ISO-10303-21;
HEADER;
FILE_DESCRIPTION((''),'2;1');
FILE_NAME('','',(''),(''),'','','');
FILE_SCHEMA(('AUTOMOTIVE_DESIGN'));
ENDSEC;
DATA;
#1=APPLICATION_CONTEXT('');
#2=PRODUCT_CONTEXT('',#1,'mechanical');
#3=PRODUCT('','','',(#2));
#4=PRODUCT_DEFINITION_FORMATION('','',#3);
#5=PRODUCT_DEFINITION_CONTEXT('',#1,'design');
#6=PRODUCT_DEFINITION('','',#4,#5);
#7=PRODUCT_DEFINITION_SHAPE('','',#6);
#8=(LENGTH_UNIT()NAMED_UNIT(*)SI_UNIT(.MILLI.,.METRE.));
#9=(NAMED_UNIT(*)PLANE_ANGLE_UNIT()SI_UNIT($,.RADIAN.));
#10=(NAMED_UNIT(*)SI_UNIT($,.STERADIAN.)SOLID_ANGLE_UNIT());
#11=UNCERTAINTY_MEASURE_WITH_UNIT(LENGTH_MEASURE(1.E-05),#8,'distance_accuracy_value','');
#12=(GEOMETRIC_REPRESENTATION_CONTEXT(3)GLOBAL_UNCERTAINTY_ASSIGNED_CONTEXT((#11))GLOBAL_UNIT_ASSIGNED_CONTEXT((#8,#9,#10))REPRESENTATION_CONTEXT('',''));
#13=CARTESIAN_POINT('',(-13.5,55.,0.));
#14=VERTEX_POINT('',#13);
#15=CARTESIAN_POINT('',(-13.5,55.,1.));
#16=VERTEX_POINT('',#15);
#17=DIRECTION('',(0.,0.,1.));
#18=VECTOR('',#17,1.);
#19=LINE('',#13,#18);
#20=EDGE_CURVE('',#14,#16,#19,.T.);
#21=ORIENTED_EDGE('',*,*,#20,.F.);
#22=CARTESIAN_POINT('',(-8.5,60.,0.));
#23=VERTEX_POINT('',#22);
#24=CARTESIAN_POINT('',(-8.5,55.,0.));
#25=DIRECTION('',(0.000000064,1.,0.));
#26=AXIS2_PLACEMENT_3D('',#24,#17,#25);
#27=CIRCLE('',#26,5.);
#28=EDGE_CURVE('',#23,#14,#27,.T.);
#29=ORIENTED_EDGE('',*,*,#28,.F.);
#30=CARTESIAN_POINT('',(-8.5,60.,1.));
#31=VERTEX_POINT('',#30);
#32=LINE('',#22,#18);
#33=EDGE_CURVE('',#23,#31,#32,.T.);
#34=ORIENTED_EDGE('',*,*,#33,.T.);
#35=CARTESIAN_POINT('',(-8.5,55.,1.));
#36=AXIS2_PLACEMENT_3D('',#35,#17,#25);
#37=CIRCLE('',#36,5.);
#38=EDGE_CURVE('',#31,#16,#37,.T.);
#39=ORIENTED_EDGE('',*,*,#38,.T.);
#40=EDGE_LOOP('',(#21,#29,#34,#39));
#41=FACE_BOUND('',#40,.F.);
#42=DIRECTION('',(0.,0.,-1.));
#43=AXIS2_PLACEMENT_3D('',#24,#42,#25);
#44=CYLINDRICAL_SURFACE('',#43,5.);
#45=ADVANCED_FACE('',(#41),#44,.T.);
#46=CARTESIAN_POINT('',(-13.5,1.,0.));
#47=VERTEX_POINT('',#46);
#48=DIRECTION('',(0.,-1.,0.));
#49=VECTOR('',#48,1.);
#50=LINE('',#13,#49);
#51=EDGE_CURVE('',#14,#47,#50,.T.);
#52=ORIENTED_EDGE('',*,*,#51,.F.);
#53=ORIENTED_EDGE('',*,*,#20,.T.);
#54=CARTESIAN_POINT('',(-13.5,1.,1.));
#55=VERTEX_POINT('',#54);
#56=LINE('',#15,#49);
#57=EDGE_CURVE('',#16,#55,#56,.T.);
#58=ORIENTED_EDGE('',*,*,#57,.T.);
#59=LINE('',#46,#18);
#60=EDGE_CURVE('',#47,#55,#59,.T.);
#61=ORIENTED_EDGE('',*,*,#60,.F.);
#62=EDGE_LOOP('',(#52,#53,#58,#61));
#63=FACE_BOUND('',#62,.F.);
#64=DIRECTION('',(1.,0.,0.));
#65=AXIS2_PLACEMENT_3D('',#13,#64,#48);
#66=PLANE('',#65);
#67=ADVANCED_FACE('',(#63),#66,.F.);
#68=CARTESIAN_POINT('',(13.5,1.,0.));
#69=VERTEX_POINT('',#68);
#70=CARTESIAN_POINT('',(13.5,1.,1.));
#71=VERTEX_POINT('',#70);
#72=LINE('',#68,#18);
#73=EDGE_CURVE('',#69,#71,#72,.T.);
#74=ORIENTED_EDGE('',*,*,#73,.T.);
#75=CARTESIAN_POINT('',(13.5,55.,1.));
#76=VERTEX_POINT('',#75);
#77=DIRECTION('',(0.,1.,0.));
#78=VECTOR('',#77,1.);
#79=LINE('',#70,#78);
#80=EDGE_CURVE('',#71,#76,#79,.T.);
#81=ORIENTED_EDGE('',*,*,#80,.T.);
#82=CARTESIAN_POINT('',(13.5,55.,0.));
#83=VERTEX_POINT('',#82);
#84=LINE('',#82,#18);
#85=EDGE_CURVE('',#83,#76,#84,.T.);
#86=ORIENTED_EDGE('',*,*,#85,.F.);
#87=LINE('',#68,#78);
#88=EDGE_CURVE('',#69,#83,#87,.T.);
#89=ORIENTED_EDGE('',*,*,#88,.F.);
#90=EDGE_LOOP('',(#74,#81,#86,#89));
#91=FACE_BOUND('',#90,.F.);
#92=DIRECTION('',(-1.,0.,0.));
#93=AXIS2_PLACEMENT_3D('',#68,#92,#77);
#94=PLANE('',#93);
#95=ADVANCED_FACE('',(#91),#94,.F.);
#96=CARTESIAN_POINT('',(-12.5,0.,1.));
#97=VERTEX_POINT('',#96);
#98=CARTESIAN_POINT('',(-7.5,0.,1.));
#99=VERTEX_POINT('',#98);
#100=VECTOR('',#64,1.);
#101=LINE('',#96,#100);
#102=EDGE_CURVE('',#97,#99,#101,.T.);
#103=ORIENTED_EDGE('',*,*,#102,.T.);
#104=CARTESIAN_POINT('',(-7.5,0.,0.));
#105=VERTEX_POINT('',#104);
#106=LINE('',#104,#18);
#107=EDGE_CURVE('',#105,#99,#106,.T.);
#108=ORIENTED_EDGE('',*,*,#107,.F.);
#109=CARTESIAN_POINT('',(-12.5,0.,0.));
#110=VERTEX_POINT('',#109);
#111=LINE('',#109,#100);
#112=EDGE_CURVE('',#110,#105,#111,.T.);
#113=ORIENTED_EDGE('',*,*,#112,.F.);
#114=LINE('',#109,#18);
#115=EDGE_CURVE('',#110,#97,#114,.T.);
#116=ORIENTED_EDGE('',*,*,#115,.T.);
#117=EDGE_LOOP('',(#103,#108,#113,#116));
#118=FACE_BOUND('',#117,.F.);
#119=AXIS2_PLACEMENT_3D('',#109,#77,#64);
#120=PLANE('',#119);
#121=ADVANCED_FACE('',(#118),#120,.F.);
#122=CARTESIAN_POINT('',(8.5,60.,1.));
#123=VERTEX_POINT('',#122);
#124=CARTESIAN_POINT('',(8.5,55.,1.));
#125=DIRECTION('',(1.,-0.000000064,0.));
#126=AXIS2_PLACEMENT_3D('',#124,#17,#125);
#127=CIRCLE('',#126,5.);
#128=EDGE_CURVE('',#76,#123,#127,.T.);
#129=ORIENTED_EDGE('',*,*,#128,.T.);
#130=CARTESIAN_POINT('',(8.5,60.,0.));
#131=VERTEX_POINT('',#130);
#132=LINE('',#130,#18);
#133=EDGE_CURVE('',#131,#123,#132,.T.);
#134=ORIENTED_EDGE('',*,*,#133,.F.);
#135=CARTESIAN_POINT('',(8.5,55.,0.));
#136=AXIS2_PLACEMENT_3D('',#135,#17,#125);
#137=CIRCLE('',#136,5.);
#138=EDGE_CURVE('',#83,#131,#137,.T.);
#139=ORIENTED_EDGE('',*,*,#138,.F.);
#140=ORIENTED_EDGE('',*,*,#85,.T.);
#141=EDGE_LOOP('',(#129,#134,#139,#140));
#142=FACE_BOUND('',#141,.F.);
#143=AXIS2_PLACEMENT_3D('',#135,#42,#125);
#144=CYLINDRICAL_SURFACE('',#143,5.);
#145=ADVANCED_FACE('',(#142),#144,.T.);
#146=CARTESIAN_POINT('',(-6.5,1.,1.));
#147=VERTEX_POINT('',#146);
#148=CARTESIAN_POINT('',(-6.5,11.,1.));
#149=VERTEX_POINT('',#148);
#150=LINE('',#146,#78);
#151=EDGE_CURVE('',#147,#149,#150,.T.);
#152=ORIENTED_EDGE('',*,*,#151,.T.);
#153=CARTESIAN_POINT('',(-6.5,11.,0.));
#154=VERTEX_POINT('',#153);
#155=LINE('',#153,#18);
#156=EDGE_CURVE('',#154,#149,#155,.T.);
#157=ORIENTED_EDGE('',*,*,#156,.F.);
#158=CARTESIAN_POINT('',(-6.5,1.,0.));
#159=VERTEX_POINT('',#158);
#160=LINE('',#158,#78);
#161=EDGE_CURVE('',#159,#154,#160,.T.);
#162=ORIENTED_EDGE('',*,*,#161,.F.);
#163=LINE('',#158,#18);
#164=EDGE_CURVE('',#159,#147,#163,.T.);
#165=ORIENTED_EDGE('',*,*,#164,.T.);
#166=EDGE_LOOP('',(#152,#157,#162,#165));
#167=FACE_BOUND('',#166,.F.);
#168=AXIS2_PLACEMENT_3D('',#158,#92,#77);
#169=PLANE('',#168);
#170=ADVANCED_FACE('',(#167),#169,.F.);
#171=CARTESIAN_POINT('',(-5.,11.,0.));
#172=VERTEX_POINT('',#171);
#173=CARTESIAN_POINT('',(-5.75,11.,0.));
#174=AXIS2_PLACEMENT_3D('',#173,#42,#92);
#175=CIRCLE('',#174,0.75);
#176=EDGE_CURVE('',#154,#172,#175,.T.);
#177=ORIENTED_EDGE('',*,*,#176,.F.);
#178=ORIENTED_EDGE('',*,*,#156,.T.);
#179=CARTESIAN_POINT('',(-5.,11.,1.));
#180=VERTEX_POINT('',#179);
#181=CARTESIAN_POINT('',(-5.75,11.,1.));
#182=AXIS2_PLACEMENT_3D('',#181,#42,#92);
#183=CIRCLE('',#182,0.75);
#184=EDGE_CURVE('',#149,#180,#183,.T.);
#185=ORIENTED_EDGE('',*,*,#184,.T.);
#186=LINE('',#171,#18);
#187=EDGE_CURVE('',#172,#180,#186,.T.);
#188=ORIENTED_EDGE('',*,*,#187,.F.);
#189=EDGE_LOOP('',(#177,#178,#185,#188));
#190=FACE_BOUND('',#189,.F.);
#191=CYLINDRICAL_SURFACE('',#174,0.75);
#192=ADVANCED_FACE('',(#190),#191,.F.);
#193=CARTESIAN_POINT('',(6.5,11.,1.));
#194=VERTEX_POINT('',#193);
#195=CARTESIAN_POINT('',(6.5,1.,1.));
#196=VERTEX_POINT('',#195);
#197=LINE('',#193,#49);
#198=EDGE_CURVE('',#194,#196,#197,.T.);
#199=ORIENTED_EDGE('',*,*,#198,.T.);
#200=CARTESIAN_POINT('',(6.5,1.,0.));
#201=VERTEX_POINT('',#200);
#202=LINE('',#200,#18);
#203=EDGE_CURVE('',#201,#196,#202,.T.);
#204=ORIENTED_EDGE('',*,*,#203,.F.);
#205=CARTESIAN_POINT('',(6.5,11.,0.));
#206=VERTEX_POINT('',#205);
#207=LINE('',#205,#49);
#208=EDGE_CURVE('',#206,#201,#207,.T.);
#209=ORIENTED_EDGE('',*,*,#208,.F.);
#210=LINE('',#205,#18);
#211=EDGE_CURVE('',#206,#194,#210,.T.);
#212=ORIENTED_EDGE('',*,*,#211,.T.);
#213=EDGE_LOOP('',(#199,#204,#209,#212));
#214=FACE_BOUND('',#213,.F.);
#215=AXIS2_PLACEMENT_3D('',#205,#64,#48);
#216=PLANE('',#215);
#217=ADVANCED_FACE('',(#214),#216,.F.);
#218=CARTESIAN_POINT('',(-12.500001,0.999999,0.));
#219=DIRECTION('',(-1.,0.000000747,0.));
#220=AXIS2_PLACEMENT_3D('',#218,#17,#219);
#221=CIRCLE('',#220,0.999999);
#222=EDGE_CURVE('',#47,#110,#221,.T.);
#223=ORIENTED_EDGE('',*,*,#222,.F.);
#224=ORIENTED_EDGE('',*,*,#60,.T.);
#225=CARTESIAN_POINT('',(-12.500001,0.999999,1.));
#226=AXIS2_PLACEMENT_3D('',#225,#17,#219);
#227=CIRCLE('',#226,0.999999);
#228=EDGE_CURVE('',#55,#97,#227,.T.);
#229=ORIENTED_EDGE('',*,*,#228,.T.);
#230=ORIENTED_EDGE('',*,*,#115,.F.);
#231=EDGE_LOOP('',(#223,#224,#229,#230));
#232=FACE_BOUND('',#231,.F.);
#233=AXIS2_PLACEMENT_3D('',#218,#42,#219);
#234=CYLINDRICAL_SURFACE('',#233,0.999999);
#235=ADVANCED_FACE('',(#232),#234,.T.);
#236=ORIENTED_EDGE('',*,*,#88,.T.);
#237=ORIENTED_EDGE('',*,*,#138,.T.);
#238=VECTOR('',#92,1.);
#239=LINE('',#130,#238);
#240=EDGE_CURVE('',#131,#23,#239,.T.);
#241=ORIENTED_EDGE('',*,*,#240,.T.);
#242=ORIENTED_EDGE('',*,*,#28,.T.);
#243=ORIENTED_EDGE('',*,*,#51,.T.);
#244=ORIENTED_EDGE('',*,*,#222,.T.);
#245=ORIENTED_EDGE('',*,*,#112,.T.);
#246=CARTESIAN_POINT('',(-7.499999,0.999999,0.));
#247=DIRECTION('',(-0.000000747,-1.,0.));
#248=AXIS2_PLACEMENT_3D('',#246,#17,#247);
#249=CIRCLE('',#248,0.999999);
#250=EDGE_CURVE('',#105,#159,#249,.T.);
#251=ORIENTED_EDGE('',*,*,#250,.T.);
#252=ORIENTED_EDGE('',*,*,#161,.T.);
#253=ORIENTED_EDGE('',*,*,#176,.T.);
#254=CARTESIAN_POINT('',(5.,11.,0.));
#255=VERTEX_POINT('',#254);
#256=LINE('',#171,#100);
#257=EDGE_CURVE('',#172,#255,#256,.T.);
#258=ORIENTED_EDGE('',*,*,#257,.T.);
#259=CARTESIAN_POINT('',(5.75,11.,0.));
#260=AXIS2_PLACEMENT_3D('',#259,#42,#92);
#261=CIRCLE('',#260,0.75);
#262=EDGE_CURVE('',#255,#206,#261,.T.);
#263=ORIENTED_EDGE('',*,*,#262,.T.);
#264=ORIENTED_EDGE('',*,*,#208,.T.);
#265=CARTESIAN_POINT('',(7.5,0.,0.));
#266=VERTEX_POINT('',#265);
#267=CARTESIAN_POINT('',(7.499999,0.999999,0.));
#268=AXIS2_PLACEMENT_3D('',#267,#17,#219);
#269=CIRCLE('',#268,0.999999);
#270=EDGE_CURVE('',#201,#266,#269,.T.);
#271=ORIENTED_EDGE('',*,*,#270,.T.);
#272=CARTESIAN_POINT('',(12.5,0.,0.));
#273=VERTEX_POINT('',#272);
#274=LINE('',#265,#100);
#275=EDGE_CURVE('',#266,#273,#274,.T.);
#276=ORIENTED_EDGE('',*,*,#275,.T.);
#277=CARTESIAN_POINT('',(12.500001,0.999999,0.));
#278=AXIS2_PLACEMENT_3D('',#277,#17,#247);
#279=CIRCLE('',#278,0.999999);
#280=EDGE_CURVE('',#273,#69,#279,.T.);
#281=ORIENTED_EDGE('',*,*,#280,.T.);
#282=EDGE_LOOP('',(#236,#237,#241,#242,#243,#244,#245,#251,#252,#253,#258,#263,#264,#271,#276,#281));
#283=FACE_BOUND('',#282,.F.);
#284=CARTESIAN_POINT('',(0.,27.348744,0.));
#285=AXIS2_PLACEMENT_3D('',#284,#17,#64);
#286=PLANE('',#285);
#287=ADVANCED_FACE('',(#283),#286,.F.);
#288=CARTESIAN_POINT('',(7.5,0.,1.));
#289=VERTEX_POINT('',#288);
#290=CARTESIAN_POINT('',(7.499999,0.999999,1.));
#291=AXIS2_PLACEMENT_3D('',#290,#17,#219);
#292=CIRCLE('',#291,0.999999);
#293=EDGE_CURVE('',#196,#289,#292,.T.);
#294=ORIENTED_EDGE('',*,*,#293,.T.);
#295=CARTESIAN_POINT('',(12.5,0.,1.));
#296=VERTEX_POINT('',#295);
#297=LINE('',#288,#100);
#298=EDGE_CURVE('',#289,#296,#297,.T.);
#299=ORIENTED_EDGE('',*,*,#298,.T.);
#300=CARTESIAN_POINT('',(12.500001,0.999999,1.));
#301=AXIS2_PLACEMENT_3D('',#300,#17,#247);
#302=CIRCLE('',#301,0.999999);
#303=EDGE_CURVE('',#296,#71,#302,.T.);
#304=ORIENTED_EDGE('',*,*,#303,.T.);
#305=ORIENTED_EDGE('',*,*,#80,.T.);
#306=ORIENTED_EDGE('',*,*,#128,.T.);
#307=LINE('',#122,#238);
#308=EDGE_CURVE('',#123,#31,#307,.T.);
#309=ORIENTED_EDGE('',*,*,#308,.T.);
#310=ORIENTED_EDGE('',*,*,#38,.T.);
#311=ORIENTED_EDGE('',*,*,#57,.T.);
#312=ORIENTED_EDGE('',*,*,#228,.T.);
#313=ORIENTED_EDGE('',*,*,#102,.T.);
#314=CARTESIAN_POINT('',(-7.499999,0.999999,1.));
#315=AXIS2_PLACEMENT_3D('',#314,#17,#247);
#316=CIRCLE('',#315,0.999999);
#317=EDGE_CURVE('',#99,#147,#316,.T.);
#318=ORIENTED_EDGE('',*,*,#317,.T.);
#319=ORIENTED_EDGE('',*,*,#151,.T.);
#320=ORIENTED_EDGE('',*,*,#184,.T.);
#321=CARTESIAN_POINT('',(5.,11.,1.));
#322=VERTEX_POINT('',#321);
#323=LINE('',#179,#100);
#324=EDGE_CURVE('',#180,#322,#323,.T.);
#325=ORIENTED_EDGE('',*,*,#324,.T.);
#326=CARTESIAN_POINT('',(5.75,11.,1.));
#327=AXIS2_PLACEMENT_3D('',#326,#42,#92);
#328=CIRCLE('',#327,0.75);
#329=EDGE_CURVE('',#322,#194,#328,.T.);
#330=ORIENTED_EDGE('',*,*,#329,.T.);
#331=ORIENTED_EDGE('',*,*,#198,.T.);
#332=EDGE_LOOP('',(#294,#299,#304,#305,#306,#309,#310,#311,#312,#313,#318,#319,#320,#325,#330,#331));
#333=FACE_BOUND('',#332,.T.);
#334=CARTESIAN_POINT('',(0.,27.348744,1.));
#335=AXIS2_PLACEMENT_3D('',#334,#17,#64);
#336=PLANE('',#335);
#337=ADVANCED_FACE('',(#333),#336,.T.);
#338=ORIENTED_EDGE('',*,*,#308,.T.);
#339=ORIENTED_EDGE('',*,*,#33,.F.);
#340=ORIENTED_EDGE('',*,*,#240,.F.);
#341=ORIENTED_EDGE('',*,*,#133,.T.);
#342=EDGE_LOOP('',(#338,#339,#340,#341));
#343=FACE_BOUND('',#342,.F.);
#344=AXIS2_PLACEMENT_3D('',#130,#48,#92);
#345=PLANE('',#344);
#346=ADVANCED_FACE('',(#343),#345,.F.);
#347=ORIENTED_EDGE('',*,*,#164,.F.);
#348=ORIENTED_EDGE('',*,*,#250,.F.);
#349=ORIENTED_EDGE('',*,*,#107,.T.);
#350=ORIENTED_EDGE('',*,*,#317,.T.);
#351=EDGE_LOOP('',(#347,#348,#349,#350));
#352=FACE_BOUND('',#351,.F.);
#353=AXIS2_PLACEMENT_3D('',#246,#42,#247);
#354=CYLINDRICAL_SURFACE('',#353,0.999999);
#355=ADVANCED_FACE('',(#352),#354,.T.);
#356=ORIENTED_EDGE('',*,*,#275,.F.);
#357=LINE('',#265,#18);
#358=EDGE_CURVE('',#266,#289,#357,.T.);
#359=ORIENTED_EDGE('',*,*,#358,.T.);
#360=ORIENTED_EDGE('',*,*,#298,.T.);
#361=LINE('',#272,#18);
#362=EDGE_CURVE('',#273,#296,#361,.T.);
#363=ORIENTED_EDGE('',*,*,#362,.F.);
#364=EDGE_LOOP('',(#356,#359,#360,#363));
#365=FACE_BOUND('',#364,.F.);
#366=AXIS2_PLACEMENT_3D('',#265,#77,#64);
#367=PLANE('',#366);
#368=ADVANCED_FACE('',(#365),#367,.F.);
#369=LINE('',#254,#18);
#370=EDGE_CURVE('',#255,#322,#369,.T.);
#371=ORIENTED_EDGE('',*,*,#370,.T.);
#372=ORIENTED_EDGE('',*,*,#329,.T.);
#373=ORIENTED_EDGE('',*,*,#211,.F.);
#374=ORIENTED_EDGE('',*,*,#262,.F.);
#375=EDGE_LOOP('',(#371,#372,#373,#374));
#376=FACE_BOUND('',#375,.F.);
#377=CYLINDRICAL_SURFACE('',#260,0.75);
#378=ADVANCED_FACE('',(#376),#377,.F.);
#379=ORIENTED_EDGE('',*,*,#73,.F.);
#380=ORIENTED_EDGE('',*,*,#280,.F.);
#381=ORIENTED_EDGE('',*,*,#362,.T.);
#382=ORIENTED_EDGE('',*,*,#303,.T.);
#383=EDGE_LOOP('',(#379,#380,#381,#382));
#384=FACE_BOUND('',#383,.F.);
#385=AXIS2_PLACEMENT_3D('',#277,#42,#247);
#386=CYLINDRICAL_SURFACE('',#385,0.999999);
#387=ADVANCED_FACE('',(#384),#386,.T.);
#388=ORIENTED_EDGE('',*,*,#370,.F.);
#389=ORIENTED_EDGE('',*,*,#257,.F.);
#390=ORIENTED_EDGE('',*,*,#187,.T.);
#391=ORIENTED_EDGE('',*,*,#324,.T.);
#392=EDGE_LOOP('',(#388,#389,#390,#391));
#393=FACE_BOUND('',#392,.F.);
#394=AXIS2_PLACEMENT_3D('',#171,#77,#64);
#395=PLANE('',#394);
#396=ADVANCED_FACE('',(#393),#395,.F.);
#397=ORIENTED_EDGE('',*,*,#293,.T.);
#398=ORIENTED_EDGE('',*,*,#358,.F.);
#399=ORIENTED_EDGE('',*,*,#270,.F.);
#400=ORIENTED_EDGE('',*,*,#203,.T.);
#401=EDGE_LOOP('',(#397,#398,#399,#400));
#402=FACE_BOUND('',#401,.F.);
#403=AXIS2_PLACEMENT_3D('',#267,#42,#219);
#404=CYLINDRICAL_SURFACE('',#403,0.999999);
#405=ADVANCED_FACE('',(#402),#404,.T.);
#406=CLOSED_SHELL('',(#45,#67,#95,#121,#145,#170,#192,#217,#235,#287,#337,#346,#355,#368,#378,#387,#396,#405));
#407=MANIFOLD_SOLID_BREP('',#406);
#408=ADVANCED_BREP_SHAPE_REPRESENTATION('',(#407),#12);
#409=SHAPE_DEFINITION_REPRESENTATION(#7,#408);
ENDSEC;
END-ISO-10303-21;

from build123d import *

# Parameters (mm, degrees)
F1_DEPTH = 1


with BuildPart() as f1:
    # F0 (on Top) → F1 (new body)
    with BuildSketch(Plane.XY):
        with BuildLine():
            ThreePointArc((-13.5, 1), (-13.207107, 0.292893), (-12.5, 0))
            Line((-12.5, 0), (-7.5, 0))
            ThreePointArc((-7.5, 0), (-6.792893, 0.292893), (-6.5, 1))
            Line((-6.5, 1), (-6.5, 11))
            ThreePointArc((-6.5, 11), (-5.75, 11.75), (-5, 11))
            Line((-5, 11), (0, 11))
            Line((0, 11), (5, 11))
            ThreePointArc((5, 11), (5.75, 11.75), (6.5, 11))
            Line((6.5, 11), (6.5, 1))
            ThreePointArc((6.5, 1), (6.792893, 0.292893), (7.5, 0))
            Line((7.5, 0), (12.5, 0))
            ThreePointArc((12.5, 0), (13.207107, 0.292893), (13.5, 1))
            Line((13.5, 1), (13.5, 55))
            ThreePointArc((13.5, 55), (12.035534, 58.535534), (8.5, 60))
            Line((8.5, 60), (0, 60))
            Line((0, 60), (-8.5, 60))
            ThreePointArc((-8.5, 60), (-12.035534, 58.535534), (-13.5, 55))
            Line((-13.5, 55), (-13.5, 1))
        make_face()
    extrude(amount=F1_DEPTH)


solid = f1.part
